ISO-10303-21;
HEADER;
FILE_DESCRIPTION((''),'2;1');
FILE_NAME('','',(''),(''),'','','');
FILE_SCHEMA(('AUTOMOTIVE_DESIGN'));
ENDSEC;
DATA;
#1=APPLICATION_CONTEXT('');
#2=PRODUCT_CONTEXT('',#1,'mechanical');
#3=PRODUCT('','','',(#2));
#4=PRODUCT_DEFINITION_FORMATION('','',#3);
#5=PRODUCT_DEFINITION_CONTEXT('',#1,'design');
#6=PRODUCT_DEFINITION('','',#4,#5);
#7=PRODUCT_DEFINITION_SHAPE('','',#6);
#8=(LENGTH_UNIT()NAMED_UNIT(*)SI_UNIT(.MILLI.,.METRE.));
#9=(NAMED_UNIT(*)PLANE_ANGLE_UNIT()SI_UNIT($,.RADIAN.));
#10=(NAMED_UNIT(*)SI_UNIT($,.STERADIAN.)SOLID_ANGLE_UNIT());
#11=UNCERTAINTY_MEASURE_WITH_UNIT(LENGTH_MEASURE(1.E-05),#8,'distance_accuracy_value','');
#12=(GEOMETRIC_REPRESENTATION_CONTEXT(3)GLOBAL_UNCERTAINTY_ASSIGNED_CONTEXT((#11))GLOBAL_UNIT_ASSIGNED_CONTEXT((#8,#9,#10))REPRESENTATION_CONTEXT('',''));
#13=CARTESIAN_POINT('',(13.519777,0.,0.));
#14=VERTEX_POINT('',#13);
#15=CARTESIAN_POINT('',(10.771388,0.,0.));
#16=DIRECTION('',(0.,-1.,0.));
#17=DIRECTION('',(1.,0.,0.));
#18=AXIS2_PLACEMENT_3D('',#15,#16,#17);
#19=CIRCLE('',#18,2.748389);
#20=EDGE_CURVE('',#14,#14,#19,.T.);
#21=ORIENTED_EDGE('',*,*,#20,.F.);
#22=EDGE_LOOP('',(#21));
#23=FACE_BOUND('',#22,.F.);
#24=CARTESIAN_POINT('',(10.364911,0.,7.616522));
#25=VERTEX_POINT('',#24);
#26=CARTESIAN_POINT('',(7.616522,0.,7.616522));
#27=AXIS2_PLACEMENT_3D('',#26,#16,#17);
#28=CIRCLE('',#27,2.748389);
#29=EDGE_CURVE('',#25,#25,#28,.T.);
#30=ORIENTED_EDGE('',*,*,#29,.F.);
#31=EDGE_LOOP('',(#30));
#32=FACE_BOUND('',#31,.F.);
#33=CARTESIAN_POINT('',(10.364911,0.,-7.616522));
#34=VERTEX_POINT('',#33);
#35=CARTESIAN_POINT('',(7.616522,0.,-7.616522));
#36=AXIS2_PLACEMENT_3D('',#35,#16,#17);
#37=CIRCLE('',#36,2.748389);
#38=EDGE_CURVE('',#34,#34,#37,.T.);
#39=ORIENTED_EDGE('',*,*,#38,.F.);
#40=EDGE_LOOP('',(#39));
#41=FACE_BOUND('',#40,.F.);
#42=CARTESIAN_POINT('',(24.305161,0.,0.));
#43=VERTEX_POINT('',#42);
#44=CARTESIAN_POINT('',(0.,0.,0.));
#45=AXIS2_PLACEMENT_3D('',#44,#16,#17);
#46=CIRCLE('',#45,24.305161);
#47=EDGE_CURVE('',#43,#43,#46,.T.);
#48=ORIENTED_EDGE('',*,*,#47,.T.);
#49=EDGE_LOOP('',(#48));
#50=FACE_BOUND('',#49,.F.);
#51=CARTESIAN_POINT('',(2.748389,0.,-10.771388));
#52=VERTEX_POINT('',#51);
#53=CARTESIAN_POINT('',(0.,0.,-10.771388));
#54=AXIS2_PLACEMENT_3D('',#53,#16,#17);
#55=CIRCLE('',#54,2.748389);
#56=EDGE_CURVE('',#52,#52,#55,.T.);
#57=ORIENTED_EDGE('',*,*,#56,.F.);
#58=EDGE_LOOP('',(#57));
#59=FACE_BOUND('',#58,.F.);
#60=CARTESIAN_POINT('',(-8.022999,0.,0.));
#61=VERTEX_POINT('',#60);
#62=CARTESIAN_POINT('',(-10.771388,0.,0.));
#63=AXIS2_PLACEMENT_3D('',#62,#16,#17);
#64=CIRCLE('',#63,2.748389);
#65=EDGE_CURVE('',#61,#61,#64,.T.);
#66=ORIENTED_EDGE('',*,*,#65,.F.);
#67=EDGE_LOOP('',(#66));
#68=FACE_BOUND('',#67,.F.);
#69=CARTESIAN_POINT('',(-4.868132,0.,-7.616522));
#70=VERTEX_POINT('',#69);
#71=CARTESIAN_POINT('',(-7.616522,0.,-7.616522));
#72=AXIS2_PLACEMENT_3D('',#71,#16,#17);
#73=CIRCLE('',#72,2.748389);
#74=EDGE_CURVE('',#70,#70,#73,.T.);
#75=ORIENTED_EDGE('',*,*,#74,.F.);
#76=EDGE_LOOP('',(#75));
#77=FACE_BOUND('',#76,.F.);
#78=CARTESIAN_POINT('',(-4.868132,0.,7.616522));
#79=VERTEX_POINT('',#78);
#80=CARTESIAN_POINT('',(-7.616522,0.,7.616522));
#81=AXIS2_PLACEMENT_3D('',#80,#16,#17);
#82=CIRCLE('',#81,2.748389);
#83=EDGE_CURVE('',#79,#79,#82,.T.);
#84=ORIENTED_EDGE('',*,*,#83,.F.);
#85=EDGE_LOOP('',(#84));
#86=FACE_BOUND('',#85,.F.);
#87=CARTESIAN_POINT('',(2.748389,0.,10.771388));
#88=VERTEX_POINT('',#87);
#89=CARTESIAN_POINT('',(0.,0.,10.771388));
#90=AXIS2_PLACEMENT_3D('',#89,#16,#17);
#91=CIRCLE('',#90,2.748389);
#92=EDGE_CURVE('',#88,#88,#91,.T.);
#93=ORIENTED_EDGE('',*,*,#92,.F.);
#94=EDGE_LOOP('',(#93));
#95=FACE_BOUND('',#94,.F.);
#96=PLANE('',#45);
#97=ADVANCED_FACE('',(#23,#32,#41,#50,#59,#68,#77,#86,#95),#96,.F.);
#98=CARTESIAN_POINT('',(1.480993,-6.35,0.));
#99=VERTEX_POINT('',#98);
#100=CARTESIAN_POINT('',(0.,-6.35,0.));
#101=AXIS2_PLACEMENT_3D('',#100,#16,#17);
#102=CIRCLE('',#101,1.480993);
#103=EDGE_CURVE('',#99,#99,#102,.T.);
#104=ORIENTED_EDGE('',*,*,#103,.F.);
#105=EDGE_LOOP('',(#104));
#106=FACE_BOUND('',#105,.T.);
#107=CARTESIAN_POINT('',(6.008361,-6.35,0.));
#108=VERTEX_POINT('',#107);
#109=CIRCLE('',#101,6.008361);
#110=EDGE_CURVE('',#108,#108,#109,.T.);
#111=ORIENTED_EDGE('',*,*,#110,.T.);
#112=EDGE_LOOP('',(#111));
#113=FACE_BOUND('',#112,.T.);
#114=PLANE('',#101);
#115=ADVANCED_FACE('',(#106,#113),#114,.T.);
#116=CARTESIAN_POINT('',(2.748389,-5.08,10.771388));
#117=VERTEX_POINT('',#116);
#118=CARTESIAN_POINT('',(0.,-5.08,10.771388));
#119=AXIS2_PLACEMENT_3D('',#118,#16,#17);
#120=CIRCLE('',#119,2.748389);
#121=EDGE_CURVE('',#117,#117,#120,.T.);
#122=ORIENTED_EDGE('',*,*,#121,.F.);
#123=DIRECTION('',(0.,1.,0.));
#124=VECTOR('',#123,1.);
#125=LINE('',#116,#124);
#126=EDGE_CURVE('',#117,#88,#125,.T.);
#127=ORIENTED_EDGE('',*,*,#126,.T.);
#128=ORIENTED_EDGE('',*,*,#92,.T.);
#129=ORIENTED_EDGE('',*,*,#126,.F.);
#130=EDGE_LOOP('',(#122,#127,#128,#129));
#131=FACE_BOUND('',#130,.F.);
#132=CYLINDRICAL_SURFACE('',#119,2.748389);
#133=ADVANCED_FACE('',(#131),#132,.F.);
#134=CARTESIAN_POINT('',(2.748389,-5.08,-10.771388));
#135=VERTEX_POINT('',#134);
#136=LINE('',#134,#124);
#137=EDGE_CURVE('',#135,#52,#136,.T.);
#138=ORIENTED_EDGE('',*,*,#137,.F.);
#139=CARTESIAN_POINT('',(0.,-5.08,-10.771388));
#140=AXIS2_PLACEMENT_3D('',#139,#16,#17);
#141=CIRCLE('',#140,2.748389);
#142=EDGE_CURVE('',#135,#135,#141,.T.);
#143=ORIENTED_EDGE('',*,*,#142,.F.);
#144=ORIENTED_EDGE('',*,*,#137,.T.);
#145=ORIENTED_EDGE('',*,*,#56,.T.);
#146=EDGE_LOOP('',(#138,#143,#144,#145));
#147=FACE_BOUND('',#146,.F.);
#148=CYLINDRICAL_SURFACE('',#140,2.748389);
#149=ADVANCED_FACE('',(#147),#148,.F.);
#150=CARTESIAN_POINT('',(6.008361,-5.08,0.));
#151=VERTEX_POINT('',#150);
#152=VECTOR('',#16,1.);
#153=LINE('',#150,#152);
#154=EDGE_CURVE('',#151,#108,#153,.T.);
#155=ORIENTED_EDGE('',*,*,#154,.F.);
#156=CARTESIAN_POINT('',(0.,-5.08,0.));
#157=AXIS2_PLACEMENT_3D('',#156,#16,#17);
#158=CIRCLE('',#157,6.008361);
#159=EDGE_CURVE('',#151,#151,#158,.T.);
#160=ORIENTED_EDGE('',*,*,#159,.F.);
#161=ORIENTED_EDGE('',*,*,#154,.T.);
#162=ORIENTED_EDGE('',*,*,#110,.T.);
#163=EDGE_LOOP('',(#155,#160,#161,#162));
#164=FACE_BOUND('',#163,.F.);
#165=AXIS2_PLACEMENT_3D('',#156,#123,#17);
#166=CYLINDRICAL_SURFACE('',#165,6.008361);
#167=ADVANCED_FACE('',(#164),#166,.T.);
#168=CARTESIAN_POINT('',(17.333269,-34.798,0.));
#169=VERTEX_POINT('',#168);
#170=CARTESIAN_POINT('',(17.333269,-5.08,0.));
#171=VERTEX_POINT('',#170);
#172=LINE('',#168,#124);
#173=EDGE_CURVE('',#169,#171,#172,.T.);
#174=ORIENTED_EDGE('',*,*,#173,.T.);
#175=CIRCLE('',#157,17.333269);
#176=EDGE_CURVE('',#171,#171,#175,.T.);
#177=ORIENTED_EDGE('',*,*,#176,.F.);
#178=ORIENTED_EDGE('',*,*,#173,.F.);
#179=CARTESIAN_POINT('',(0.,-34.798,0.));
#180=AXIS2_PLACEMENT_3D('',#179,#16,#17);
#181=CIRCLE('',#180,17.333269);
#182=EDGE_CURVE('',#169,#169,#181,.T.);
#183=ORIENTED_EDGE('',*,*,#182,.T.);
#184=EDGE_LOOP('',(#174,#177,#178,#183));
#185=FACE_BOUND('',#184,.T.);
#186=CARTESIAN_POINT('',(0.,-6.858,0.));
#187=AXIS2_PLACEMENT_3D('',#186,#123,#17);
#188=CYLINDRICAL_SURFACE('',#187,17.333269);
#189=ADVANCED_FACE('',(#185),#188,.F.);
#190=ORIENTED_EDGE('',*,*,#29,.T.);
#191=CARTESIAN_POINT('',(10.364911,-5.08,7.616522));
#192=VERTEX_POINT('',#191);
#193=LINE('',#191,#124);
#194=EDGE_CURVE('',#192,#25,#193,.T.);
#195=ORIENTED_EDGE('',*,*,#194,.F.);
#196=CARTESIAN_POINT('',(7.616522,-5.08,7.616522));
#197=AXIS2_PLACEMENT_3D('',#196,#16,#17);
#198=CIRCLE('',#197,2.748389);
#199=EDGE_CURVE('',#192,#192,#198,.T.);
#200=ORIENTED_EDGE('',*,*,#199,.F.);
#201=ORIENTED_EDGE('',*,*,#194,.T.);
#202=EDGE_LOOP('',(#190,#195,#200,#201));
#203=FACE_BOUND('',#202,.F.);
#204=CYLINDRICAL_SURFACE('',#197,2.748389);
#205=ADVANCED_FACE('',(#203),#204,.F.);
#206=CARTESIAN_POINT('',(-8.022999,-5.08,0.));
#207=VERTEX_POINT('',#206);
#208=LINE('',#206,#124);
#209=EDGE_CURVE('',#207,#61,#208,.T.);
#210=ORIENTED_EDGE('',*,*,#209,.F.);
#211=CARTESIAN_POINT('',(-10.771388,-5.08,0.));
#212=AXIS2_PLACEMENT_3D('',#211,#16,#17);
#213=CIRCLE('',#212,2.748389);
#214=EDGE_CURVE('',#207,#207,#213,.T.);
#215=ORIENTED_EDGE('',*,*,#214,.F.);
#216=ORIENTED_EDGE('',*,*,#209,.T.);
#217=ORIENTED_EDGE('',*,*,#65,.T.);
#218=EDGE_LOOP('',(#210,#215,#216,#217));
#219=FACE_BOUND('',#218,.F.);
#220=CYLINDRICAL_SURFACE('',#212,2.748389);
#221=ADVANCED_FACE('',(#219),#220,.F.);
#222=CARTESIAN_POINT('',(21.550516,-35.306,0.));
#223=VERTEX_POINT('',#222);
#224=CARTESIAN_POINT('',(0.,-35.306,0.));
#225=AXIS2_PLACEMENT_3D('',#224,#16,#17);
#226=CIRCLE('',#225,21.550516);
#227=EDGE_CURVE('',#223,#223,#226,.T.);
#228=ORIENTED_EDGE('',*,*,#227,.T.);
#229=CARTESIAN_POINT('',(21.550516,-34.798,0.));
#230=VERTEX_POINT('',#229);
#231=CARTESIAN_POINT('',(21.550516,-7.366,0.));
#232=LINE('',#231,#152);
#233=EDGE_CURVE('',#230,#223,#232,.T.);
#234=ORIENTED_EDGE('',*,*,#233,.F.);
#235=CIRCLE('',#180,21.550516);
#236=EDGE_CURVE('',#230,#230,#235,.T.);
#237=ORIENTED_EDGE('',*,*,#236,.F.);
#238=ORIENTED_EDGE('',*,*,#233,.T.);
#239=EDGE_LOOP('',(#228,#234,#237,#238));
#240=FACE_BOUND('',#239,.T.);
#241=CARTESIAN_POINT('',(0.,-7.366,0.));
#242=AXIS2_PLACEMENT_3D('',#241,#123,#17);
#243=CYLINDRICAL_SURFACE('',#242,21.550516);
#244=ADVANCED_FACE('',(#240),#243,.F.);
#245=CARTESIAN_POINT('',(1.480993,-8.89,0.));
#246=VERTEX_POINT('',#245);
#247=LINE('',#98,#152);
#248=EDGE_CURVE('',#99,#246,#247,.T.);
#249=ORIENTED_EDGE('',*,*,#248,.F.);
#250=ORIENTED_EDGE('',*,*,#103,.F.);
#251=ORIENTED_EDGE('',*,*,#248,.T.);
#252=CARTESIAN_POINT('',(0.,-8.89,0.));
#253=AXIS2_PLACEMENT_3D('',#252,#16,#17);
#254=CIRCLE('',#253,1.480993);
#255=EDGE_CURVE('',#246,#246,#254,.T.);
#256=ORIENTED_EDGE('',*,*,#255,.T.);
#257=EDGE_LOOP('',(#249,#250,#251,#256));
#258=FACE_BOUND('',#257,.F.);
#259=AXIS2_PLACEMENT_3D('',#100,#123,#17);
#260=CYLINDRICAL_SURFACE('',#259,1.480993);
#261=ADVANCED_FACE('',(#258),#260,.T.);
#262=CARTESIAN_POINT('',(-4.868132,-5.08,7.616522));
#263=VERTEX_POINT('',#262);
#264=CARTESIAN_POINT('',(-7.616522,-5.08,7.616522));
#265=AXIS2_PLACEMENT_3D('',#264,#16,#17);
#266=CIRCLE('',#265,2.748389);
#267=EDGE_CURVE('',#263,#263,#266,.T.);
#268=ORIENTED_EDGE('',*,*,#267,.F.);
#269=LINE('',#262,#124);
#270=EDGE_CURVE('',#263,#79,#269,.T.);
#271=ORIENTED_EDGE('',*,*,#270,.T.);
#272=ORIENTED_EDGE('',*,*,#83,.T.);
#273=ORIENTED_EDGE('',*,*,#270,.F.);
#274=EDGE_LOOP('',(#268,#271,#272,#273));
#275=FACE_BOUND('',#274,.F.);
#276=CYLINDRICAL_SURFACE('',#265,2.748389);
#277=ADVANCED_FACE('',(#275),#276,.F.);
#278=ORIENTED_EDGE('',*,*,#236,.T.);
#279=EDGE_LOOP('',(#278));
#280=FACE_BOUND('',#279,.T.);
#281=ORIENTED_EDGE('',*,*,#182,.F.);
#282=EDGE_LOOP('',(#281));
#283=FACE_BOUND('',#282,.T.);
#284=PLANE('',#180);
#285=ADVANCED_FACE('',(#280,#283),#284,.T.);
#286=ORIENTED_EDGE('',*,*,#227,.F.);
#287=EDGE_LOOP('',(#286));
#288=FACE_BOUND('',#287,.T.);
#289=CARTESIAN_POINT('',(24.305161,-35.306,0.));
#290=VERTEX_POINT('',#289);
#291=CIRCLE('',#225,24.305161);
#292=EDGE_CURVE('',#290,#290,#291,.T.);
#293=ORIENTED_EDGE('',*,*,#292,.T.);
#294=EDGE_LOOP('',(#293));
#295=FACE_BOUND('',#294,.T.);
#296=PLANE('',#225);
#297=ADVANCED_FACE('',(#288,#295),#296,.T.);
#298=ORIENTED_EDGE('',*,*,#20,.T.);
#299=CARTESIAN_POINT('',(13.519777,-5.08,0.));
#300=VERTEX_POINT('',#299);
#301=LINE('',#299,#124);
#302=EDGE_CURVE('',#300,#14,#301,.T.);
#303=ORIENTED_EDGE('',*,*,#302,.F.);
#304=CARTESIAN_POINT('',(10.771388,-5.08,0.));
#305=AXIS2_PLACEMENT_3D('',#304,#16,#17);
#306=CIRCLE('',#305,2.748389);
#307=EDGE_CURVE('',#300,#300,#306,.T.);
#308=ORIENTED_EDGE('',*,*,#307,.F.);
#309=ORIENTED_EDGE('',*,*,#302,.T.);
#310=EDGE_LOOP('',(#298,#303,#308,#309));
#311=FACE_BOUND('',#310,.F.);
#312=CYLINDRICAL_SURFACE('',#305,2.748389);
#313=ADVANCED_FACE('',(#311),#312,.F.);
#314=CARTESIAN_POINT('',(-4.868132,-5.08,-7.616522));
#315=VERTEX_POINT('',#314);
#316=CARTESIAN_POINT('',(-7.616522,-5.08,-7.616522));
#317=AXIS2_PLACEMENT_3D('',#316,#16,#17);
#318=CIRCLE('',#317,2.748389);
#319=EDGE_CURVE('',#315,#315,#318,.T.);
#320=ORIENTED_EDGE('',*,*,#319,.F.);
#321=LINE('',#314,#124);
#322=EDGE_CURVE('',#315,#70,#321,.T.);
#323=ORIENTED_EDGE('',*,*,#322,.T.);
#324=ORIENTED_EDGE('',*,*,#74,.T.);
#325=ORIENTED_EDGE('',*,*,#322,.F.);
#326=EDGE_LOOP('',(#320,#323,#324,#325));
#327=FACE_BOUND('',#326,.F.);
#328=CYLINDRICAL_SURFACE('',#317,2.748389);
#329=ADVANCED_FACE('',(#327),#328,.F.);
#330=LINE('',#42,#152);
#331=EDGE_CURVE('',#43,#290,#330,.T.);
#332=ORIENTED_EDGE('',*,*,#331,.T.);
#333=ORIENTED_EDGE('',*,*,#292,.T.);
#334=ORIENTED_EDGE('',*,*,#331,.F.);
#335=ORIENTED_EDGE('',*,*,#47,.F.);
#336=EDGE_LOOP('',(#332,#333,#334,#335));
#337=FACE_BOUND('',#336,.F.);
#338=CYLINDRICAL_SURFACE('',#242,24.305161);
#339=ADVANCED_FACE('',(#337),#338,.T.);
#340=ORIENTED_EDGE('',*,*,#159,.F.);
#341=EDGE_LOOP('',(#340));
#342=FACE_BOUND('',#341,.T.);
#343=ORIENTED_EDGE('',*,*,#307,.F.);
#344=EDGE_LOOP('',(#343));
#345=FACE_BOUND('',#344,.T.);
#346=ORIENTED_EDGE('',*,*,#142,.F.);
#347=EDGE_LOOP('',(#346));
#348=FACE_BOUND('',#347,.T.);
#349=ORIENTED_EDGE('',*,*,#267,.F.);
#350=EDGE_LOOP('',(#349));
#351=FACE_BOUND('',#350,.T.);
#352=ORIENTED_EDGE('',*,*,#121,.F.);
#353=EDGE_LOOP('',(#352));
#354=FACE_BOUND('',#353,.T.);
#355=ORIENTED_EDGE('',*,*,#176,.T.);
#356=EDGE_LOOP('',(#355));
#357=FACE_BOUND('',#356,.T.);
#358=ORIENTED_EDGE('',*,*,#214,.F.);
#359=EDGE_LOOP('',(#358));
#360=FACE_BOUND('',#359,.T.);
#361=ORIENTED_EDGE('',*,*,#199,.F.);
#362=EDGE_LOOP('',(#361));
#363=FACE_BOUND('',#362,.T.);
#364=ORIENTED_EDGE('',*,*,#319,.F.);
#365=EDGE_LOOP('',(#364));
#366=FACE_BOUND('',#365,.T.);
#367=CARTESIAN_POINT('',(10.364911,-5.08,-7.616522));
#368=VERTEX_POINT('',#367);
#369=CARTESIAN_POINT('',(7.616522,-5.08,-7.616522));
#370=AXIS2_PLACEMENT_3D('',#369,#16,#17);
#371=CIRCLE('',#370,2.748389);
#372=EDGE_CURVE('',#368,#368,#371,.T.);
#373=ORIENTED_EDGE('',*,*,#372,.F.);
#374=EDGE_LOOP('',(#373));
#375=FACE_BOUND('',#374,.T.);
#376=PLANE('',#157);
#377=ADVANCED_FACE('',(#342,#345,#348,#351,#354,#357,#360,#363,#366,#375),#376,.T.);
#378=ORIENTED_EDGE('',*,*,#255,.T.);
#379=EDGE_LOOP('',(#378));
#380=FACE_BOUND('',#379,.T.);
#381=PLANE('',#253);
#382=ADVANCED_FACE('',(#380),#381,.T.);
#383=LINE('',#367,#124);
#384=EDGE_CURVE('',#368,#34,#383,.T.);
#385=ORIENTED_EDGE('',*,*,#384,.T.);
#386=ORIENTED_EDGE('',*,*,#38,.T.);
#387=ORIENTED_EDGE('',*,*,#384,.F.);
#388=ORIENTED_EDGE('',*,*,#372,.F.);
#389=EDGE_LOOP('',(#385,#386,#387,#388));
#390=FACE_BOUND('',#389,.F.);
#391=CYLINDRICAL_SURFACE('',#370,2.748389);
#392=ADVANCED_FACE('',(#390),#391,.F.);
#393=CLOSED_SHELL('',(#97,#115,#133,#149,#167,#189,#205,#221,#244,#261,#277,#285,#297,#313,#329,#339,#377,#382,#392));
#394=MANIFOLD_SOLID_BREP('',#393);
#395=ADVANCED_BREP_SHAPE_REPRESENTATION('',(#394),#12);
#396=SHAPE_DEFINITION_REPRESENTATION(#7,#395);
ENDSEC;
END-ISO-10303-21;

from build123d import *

# Parameters (mm, degrees)
F0_R      = 24.3051606916
F1_DEPTH  = 5.08
F2_R      = 24.3051606916
F2_R_2    = 21.5505163445
F5_DEPTH  = 2.286
F4_R      = 21.5505163445
F4_R_2    = 17.3332692352
F6_DEPTH  = 1.778
F3_R      = 6.0083606655
F7_DEPTH  = 1.27
F8_R      = 1.4809931101
F9_DEPTH  = 2.54
F10_R     = 2.7483891527
F11_DEPTH = 25.4
F12_DEPTH = 27.94


with BuildPart() as f1:
    # F0 (on Front) → F1 (new body)
    with BuildSketch(Plane.XZ):
        Circle(F0_R)
    extrude(amount=F1_DEPTH)

    # F2 (on face) → F5 (join)
    with BuildSketch(Plane.XZ.offset(5.08)):
        Circle(F2_R)
        Circle(F2_R_2, mode=Mode.SUBTRACT)
    extrude(amount=F5_DEPTH)

    # F4 (on face) → F6 (join)
    with BuildSketch(Plane.XZ.offset(5.08)):
        Circle(F4_R)
        Circle(F4_R_2, mode=Mode.SUBTRACT)
    extrude(amount=F6_DEPTH)

    # F3 (on face) → F7 (join)
    with BuildSketch(Plane.XZ.offset(5.08)):
        Circle(F3_R)
    extrude(amount=F7_DEPTH)

    # F8 (on face) → F9 (join)
    with BuildSketch(Plane.XZ.offset(6.35)):
        Circle(F8_R)
    extrude(amount=F9_DEPTH)

    # F10 (on face) → F11 (cut)
    with BuildSketch(Plane.XZ.offset(5.08)):
        with Locations((0, 10.771388188)):
            Circle(F10_R)
        with Locations((7.6165216305, 7.6165216305)):
            Circle(F10_R)
        with Locations((10.771388188, 0)):
            Circle(F10_R)
        with Locations((7.6165216305, -7.6165216305)):
            Circle(F10_R)
        with Locations((0, -10.771388188)):
            Circle(F10_R)
        with Locations((-7.6165216305, -7.6165216305)):
            Circle(F10_R)
        with Locations((-10.771388188, 0)):
            Circle(F10_R)
        with Locations((-7.6165216305, 7.6165216305)):
            Circle(F10_R)
    extrude(amount=-F11_DEPTH, mode=Mode.SUBTRACT)

    # F12 (add): faces of the model
    f12_faces = [f1.faces().sort_by_distance(p)[0] for p in [
        (-20.9409756947, -6.858, 0),
        (-23.6177069339, -7.366, 0),
    ]]
    extrude(f12_faces, amount=F12_DEPTH)


solid = f1.part
